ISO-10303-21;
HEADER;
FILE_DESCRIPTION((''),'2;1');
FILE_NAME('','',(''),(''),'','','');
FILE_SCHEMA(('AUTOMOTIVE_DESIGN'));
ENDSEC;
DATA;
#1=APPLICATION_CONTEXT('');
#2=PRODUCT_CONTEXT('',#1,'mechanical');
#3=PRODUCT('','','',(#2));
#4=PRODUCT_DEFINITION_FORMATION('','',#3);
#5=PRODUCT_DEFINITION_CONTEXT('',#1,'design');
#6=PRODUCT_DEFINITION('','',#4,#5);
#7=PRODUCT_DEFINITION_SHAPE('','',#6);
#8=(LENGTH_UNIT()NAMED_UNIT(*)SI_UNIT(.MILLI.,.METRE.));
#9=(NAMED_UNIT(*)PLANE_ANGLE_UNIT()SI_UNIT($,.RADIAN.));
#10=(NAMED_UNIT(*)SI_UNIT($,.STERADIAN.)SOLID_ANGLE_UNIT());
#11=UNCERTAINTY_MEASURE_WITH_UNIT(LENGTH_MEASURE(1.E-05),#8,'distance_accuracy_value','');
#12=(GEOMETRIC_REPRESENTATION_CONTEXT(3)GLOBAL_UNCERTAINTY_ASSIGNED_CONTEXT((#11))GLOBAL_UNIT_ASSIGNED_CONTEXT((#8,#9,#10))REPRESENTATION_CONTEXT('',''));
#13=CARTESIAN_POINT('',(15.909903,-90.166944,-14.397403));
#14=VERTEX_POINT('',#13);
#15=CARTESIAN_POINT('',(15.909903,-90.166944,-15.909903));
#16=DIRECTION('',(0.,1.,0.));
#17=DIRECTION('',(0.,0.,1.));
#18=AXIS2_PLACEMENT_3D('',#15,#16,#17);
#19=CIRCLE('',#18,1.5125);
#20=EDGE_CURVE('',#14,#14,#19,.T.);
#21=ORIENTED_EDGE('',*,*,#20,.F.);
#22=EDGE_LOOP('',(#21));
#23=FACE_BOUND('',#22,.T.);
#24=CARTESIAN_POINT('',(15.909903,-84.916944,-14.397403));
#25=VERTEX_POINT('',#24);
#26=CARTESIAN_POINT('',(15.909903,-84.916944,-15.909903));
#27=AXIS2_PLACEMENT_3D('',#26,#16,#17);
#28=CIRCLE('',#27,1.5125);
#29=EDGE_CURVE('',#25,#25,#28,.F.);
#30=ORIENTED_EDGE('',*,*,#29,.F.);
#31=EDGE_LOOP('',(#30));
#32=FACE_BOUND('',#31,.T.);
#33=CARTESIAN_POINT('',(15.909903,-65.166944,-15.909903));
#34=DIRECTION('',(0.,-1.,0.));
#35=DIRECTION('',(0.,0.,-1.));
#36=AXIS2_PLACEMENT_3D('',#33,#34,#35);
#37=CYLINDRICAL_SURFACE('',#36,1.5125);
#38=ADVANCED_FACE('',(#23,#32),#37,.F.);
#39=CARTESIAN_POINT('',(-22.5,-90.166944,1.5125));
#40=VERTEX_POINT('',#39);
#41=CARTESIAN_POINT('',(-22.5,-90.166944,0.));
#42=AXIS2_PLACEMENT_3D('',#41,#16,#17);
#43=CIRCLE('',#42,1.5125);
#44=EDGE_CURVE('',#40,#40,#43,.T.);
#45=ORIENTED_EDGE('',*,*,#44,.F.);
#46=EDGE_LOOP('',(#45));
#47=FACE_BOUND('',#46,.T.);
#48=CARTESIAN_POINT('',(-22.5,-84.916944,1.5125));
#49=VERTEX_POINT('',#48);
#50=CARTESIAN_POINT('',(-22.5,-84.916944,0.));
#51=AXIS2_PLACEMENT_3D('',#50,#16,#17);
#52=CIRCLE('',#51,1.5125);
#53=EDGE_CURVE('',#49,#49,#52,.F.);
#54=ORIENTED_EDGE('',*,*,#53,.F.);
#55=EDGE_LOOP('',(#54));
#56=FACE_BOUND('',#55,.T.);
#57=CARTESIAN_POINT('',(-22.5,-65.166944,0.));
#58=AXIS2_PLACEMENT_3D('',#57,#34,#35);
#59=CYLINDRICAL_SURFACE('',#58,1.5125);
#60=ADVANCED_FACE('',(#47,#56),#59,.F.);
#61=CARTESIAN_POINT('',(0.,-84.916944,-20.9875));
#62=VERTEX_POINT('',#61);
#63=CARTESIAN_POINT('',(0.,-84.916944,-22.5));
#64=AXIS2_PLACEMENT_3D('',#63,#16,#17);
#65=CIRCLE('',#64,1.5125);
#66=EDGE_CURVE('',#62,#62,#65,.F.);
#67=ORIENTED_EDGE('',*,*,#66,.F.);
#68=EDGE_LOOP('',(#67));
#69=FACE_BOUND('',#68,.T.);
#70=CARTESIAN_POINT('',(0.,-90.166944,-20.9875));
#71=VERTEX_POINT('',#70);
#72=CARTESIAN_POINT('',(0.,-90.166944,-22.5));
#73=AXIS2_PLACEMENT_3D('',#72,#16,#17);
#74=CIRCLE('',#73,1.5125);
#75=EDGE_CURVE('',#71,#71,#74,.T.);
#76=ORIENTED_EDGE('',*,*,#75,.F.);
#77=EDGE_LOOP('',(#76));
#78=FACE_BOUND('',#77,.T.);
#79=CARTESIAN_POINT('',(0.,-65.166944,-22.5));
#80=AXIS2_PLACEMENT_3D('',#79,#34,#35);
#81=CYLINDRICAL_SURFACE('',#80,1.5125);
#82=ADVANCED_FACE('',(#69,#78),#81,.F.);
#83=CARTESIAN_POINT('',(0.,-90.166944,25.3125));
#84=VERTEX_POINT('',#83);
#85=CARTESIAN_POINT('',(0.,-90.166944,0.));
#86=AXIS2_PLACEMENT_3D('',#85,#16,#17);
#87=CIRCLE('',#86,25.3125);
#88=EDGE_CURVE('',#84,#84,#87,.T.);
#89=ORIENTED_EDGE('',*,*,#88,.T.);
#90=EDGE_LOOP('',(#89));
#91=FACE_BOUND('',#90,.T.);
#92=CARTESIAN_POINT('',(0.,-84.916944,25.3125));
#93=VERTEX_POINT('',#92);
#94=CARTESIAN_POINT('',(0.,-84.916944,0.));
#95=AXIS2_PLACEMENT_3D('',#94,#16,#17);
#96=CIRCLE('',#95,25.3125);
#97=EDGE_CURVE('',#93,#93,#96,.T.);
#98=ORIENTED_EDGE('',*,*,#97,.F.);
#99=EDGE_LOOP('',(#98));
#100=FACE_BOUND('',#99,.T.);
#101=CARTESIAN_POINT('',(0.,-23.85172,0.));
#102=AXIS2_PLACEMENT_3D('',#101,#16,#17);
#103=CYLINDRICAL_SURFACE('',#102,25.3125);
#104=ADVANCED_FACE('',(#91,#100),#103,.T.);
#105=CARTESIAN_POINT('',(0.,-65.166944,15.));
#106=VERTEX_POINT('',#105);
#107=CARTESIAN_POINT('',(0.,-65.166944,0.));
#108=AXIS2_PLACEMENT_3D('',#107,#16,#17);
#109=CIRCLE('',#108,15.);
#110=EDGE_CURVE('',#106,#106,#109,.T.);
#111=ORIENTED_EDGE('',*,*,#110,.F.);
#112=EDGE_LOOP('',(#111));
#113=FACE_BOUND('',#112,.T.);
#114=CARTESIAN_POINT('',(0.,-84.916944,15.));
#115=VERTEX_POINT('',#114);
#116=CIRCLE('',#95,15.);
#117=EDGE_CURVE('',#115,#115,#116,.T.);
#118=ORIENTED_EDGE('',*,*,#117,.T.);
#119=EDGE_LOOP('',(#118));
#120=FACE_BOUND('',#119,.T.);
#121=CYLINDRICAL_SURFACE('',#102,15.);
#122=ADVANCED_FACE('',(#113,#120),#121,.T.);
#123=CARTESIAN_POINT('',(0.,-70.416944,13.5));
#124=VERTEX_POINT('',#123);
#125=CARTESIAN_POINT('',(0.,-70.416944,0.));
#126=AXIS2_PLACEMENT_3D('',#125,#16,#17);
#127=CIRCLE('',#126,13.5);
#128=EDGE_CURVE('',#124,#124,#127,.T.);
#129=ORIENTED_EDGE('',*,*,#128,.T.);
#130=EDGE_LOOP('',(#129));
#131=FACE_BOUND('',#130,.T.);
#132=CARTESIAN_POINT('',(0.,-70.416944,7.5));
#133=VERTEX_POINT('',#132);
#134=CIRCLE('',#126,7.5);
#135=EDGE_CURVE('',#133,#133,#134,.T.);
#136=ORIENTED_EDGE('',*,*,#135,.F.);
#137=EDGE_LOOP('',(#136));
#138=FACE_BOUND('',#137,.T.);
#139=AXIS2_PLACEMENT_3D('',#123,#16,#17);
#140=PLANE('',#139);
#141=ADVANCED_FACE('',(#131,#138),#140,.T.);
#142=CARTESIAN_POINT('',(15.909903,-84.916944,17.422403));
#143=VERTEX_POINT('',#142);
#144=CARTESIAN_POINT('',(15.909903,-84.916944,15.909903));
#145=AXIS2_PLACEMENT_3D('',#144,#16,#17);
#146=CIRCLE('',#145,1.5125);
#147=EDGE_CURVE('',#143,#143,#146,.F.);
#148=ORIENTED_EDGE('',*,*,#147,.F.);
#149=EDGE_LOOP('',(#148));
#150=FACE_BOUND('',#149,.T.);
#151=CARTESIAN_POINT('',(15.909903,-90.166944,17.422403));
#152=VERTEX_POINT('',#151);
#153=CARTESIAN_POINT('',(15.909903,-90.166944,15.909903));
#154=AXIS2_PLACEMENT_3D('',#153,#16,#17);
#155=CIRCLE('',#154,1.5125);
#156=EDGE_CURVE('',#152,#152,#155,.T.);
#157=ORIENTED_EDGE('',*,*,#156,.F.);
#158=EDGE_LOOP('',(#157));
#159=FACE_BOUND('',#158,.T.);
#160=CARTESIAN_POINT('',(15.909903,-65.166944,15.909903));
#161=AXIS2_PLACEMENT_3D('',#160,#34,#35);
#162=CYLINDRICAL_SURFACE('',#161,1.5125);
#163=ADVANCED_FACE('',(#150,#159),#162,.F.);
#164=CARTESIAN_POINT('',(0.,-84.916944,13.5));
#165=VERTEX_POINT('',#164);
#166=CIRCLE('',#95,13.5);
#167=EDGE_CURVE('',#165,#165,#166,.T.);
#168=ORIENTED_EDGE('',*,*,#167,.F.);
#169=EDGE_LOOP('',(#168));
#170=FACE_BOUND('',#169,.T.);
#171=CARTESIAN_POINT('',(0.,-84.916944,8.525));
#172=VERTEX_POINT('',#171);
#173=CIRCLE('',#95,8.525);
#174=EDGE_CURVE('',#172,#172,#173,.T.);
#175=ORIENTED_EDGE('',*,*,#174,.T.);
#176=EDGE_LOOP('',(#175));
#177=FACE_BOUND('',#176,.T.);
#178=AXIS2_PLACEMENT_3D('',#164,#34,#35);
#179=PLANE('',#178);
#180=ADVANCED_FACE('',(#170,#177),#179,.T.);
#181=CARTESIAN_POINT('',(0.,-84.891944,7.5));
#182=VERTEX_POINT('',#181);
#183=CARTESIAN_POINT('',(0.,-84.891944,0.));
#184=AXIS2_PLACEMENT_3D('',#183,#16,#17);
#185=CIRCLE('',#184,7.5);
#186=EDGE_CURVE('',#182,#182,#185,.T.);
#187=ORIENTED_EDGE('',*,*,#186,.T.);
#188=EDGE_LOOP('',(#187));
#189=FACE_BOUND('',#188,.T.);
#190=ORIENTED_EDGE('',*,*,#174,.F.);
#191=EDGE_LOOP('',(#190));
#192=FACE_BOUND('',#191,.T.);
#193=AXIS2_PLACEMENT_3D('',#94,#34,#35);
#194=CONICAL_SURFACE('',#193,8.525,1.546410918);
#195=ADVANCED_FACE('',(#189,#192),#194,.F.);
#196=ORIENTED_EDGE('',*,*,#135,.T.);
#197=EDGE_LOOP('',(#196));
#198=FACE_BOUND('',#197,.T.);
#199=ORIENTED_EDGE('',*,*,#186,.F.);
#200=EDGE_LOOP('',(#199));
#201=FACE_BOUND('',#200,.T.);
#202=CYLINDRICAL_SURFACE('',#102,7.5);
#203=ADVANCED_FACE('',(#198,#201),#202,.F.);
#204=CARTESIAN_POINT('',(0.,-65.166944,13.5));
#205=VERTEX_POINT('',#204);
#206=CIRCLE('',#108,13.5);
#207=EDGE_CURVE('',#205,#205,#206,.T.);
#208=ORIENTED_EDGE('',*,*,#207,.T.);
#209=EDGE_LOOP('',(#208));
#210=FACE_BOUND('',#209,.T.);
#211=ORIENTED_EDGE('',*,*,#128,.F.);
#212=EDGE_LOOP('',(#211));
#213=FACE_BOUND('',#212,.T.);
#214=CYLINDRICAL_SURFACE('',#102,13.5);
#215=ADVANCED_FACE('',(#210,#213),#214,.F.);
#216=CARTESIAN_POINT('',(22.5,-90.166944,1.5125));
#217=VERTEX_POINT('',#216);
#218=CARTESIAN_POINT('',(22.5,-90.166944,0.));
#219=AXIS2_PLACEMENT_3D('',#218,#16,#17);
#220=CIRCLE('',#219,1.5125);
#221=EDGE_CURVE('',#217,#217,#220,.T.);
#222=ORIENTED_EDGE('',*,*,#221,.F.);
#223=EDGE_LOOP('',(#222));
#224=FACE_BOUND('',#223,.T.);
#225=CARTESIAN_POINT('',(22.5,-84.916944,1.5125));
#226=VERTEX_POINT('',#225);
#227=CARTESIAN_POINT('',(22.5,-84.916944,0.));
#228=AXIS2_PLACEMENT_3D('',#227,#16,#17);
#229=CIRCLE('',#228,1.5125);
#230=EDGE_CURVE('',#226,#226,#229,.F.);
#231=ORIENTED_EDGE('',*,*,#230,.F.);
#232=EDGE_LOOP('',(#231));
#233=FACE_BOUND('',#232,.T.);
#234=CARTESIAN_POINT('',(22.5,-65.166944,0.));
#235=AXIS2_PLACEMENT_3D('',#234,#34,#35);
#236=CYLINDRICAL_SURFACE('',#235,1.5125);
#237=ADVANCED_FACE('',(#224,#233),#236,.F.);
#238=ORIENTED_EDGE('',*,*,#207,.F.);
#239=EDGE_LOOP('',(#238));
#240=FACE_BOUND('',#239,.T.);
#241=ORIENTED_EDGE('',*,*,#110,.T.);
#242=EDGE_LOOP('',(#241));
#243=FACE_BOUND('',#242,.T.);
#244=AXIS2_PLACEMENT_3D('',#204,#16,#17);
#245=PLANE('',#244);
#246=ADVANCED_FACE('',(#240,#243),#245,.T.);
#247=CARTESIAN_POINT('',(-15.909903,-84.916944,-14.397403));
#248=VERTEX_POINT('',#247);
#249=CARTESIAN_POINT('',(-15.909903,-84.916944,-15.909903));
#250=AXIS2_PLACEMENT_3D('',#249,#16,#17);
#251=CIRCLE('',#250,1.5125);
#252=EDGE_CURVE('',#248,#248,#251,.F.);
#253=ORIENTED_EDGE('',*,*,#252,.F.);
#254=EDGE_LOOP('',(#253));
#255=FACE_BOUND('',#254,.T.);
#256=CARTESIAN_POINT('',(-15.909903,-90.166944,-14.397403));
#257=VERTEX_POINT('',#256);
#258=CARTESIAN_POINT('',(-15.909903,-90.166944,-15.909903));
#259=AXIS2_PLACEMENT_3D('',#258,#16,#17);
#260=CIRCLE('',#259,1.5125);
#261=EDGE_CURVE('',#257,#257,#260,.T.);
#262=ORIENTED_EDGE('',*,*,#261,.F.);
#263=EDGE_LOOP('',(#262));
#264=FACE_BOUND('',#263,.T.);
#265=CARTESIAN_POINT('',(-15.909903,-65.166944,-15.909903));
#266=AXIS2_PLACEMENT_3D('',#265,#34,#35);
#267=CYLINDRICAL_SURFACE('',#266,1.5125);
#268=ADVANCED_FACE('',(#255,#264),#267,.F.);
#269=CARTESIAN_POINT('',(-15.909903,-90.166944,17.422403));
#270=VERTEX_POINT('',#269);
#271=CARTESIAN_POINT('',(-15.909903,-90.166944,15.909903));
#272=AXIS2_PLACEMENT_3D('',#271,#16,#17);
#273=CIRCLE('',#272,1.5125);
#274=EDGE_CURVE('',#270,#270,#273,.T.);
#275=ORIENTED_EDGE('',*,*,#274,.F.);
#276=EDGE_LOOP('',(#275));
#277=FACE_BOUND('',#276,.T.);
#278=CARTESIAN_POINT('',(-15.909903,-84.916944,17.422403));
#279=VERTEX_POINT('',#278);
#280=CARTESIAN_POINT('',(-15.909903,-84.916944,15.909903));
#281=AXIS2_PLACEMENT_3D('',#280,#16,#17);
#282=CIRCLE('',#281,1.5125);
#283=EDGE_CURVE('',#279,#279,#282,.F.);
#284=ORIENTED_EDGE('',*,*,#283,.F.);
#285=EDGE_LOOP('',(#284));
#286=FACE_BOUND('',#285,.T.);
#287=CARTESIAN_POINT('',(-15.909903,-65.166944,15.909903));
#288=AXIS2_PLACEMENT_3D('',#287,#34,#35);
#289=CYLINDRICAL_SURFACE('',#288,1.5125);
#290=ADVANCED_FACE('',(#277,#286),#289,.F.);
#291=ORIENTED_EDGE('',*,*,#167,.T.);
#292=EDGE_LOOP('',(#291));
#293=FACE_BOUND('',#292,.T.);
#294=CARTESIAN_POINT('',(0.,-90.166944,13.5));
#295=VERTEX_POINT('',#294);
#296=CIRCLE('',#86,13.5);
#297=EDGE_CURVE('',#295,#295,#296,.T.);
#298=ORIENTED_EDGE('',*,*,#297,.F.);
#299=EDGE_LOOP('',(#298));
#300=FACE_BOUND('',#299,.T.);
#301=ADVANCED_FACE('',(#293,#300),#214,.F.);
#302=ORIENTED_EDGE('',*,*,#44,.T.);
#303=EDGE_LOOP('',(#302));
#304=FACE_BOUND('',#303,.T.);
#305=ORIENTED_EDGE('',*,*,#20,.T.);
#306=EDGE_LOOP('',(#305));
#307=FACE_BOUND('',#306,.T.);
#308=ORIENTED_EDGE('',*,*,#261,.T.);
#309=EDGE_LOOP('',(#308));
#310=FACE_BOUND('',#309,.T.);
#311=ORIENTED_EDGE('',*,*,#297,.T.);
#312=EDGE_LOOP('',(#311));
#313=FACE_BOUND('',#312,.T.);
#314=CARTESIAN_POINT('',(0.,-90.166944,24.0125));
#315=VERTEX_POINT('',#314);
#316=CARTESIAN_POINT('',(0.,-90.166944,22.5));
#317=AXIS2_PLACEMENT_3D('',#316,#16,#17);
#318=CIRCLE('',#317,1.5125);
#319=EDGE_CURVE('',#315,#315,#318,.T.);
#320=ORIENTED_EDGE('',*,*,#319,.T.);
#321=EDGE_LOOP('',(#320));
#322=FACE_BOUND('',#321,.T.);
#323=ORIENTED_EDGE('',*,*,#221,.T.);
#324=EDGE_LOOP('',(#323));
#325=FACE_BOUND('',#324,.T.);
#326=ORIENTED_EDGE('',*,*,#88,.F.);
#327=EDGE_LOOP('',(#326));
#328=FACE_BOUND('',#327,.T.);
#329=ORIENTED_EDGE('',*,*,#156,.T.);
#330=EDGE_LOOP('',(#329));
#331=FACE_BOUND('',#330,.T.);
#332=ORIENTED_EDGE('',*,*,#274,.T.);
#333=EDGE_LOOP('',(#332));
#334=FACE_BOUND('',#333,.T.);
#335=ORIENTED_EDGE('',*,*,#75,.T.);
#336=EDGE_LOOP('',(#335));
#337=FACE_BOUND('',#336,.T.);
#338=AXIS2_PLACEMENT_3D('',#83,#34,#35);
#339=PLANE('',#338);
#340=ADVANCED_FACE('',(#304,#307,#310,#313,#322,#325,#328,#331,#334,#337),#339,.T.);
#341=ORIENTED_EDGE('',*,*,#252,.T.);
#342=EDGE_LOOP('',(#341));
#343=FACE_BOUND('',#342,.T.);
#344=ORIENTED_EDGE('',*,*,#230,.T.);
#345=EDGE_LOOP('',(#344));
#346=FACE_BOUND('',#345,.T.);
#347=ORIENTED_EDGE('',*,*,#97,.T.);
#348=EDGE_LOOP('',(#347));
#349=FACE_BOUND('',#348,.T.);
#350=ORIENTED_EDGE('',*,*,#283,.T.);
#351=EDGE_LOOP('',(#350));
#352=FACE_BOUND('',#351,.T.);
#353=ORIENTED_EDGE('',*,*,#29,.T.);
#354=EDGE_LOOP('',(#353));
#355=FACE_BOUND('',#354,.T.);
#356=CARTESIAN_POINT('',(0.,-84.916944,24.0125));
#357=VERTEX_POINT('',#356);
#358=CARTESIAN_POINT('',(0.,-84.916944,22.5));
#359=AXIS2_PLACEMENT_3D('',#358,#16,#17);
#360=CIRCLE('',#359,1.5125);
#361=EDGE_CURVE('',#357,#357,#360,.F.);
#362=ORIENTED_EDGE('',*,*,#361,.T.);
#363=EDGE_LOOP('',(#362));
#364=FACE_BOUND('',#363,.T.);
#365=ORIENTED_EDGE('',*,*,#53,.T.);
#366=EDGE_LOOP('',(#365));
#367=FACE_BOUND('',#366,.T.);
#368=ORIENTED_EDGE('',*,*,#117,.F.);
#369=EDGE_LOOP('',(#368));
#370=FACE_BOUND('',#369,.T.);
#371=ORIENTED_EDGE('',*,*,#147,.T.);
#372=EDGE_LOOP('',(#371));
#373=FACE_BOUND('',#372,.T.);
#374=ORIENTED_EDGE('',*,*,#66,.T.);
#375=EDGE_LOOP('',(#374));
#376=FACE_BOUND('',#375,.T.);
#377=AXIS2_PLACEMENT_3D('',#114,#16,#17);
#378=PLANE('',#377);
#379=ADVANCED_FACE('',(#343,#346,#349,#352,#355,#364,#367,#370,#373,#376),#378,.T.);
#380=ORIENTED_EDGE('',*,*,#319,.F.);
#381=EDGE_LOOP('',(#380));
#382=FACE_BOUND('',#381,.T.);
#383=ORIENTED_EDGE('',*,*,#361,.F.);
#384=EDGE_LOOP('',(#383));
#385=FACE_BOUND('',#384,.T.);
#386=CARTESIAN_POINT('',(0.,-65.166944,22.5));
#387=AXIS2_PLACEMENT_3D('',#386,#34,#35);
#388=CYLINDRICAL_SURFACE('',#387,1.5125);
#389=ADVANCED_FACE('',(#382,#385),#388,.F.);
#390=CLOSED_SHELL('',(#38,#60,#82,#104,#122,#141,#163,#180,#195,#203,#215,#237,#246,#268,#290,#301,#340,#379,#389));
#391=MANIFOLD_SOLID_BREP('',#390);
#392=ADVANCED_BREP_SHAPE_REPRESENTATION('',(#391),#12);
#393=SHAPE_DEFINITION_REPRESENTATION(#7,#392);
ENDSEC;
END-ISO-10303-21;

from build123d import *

# Parameters (mm, degrees)
CUT_EXTRUDE1_DEPTH      = 164.536310953
CUT_EXTRUDE1_DEPTH_BACK = 164.536310953
SKETCH2_R               = 6.05
SCALE1_SCALE            = 0.25


with BuildPart() as part:
    # Sketch1 → Revolve1 (revolve)
    with BuildSketch(Plane(origin=(0, 0, 0), x_dir=(0, 0, -1), z_dir=(1, 0, 0))):
        Polygon((-60, -15.260894059), (-60, -94.260894059), (-101.25, -94.260894059), (-101.25, -107.260894059), (-101.25, -115.260894059), (-54, -115.260894059), (-54, -94.260894059), (-34.1, -94.260894059), (-30, -94.160894059), (-30, -36.260894059), (-54, -36.260894059), (-54, -15.260894059), align=None)
    revolve(axis=Axis((0, 150, 0), (0, -1, 0)))

    # Sketch2 → Cut-Extrude1 (cut, two sides: drawn at the far end of the back side and taken through both)
    with BuildSketch(Plane(origin=(0, -94.260894059, 0), x_dir=(1, 0, 0), z_dir=(0, 1, 0)).offset(-CUT_EXTRUDE1_DEPTH_BACK)):
        with Locations(Location((0, 90, 0), (0, 0, 270))):
            Circle(SKETCH2_R)
        with Locations(Location((63.639610307, 63.639610307, 0), (0, 0, 270))):
            Circle(SKETCH2_R)
        with Locations(Location((90, 0, 0), (0, 0, 270))):
            Circle(SKETCH2_R)
        with Locations(Location((63.639610307, -63.639610307, 0), (0, 0, 270))):
            Circle(SKETCH2_R)
        with Locations(Location((0, -90, 0), (0, 0, 270))):
            Circle(SKETCH2_R)
        with Locations(Location((-63.639610307, -63.639610307, 0), (0, 0, 270))):
            Circle(SKETCH2_R)
        with Locations(Location((-90, 0, 0), (0, 0, 270))):
            Circle(SKETCH2_R)
        with Locations(Location((-63.639610307, 63.639610307, 0), (0, 0, 270))):
            Circle(SKETCH2_R)
    extrude(amount=CUT_EXTRUDE1_DEPTH + CUT_EXTRUDE1_DEPTH_BACK, mode=Mode.SUBTRACT)


with BuildPart() as part_1:
    # Scale1: scaled about (0, -81.802293933, 0)
    add(part.part.scale(SCALE1_SCALE).moved(Location((0, -61.35172045, 0))))


solid = part_1.part
